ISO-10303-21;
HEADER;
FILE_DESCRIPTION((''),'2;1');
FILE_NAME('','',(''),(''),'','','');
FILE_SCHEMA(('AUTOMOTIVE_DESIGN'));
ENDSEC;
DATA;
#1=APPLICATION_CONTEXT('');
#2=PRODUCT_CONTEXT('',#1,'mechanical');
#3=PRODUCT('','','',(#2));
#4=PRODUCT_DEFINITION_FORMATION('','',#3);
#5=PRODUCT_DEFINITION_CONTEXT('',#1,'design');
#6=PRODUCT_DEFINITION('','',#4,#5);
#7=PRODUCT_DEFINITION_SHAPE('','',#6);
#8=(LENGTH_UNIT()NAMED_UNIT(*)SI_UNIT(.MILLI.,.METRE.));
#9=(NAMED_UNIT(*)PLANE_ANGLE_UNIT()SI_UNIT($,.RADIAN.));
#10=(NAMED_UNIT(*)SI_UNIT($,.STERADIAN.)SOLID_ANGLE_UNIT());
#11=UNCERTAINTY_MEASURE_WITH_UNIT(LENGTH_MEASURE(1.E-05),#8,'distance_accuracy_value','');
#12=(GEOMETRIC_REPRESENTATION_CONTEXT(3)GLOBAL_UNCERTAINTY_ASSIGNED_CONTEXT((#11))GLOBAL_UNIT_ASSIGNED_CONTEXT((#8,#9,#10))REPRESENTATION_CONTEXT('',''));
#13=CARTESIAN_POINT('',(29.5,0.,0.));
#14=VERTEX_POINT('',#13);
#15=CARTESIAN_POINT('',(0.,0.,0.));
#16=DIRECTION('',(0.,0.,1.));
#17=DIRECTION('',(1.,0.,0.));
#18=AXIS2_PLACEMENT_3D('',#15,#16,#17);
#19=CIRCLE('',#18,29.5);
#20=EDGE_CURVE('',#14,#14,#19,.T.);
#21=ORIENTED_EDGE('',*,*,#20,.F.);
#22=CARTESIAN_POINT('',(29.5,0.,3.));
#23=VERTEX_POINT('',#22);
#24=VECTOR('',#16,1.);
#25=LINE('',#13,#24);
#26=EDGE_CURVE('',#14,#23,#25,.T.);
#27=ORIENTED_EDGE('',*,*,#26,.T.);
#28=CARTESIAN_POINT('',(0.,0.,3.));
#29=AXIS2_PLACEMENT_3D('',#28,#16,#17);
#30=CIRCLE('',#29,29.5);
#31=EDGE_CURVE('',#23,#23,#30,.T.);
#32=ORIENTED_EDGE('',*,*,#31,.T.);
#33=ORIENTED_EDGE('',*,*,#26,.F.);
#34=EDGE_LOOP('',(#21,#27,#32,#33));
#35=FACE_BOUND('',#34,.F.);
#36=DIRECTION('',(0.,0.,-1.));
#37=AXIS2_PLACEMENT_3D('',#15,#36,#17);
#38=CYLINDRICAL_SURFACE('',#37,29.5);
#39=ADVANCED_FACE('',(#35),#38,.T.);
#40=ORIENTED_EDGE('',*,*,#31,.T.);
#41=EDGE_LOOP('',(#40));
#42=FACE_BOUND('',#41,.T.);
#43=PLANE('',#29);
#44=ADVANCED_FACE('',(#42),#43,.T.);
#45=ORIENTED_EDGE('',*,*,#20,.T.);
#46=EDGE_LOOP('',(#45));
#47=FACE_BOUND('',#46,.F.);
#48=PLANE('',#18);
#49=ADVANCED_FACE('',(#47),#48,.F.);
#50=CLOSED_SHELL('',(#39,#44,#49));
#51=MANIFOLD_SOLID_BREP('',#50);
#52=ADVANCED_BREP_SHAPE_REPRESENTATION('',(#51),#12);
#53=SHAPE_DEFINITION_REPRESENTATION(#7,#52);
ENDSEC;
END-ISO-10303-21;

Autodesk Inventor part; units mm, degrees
ref_plane "YZ Plane" through (0, 0, 0) normal (1, 0, 0) x (0, 1, 0)
ref_plane "XZ Plane" through (0, 0, 0) normal (0, 1, 0) x (-1, 0, 0)
ref_plane "XY Plane" through (0, 0, 0) normal (0, 0, 1) x (1, 0, 0)
sketch "Sketch1" plane through (0, 0, 0) normal (0, 0, 1) x (1, 0, 0)
  circle A0 centre (0, 0) radius 29.5
  dimension "d0" = 59
extrude "Plate1" add sketch "Sketch1" along normal blind 3
equation "\"d3\" = Thickness"
equation "\"BendRadius\" = Thickness"
equation "\"BendReliefWidth\" = Thickness"
equation "\"BendReliefDepth\" = 0.5 * Thickness"
equation "\"CornerReliefSize\" = 4 * Thickness"
equation "\"MinimumRemnant\" = 2 * Thickness"
equation "\"TransitionRadius\" = BendRadius"
equation "\"JacobiRadiusSize\" = BendRadius"
equation "\"GapSize\" = Thickness"
equation "\"Thickness\" = 3"
properties part number "NDM 4.0.5 base plate" material "Stainless Steel"
